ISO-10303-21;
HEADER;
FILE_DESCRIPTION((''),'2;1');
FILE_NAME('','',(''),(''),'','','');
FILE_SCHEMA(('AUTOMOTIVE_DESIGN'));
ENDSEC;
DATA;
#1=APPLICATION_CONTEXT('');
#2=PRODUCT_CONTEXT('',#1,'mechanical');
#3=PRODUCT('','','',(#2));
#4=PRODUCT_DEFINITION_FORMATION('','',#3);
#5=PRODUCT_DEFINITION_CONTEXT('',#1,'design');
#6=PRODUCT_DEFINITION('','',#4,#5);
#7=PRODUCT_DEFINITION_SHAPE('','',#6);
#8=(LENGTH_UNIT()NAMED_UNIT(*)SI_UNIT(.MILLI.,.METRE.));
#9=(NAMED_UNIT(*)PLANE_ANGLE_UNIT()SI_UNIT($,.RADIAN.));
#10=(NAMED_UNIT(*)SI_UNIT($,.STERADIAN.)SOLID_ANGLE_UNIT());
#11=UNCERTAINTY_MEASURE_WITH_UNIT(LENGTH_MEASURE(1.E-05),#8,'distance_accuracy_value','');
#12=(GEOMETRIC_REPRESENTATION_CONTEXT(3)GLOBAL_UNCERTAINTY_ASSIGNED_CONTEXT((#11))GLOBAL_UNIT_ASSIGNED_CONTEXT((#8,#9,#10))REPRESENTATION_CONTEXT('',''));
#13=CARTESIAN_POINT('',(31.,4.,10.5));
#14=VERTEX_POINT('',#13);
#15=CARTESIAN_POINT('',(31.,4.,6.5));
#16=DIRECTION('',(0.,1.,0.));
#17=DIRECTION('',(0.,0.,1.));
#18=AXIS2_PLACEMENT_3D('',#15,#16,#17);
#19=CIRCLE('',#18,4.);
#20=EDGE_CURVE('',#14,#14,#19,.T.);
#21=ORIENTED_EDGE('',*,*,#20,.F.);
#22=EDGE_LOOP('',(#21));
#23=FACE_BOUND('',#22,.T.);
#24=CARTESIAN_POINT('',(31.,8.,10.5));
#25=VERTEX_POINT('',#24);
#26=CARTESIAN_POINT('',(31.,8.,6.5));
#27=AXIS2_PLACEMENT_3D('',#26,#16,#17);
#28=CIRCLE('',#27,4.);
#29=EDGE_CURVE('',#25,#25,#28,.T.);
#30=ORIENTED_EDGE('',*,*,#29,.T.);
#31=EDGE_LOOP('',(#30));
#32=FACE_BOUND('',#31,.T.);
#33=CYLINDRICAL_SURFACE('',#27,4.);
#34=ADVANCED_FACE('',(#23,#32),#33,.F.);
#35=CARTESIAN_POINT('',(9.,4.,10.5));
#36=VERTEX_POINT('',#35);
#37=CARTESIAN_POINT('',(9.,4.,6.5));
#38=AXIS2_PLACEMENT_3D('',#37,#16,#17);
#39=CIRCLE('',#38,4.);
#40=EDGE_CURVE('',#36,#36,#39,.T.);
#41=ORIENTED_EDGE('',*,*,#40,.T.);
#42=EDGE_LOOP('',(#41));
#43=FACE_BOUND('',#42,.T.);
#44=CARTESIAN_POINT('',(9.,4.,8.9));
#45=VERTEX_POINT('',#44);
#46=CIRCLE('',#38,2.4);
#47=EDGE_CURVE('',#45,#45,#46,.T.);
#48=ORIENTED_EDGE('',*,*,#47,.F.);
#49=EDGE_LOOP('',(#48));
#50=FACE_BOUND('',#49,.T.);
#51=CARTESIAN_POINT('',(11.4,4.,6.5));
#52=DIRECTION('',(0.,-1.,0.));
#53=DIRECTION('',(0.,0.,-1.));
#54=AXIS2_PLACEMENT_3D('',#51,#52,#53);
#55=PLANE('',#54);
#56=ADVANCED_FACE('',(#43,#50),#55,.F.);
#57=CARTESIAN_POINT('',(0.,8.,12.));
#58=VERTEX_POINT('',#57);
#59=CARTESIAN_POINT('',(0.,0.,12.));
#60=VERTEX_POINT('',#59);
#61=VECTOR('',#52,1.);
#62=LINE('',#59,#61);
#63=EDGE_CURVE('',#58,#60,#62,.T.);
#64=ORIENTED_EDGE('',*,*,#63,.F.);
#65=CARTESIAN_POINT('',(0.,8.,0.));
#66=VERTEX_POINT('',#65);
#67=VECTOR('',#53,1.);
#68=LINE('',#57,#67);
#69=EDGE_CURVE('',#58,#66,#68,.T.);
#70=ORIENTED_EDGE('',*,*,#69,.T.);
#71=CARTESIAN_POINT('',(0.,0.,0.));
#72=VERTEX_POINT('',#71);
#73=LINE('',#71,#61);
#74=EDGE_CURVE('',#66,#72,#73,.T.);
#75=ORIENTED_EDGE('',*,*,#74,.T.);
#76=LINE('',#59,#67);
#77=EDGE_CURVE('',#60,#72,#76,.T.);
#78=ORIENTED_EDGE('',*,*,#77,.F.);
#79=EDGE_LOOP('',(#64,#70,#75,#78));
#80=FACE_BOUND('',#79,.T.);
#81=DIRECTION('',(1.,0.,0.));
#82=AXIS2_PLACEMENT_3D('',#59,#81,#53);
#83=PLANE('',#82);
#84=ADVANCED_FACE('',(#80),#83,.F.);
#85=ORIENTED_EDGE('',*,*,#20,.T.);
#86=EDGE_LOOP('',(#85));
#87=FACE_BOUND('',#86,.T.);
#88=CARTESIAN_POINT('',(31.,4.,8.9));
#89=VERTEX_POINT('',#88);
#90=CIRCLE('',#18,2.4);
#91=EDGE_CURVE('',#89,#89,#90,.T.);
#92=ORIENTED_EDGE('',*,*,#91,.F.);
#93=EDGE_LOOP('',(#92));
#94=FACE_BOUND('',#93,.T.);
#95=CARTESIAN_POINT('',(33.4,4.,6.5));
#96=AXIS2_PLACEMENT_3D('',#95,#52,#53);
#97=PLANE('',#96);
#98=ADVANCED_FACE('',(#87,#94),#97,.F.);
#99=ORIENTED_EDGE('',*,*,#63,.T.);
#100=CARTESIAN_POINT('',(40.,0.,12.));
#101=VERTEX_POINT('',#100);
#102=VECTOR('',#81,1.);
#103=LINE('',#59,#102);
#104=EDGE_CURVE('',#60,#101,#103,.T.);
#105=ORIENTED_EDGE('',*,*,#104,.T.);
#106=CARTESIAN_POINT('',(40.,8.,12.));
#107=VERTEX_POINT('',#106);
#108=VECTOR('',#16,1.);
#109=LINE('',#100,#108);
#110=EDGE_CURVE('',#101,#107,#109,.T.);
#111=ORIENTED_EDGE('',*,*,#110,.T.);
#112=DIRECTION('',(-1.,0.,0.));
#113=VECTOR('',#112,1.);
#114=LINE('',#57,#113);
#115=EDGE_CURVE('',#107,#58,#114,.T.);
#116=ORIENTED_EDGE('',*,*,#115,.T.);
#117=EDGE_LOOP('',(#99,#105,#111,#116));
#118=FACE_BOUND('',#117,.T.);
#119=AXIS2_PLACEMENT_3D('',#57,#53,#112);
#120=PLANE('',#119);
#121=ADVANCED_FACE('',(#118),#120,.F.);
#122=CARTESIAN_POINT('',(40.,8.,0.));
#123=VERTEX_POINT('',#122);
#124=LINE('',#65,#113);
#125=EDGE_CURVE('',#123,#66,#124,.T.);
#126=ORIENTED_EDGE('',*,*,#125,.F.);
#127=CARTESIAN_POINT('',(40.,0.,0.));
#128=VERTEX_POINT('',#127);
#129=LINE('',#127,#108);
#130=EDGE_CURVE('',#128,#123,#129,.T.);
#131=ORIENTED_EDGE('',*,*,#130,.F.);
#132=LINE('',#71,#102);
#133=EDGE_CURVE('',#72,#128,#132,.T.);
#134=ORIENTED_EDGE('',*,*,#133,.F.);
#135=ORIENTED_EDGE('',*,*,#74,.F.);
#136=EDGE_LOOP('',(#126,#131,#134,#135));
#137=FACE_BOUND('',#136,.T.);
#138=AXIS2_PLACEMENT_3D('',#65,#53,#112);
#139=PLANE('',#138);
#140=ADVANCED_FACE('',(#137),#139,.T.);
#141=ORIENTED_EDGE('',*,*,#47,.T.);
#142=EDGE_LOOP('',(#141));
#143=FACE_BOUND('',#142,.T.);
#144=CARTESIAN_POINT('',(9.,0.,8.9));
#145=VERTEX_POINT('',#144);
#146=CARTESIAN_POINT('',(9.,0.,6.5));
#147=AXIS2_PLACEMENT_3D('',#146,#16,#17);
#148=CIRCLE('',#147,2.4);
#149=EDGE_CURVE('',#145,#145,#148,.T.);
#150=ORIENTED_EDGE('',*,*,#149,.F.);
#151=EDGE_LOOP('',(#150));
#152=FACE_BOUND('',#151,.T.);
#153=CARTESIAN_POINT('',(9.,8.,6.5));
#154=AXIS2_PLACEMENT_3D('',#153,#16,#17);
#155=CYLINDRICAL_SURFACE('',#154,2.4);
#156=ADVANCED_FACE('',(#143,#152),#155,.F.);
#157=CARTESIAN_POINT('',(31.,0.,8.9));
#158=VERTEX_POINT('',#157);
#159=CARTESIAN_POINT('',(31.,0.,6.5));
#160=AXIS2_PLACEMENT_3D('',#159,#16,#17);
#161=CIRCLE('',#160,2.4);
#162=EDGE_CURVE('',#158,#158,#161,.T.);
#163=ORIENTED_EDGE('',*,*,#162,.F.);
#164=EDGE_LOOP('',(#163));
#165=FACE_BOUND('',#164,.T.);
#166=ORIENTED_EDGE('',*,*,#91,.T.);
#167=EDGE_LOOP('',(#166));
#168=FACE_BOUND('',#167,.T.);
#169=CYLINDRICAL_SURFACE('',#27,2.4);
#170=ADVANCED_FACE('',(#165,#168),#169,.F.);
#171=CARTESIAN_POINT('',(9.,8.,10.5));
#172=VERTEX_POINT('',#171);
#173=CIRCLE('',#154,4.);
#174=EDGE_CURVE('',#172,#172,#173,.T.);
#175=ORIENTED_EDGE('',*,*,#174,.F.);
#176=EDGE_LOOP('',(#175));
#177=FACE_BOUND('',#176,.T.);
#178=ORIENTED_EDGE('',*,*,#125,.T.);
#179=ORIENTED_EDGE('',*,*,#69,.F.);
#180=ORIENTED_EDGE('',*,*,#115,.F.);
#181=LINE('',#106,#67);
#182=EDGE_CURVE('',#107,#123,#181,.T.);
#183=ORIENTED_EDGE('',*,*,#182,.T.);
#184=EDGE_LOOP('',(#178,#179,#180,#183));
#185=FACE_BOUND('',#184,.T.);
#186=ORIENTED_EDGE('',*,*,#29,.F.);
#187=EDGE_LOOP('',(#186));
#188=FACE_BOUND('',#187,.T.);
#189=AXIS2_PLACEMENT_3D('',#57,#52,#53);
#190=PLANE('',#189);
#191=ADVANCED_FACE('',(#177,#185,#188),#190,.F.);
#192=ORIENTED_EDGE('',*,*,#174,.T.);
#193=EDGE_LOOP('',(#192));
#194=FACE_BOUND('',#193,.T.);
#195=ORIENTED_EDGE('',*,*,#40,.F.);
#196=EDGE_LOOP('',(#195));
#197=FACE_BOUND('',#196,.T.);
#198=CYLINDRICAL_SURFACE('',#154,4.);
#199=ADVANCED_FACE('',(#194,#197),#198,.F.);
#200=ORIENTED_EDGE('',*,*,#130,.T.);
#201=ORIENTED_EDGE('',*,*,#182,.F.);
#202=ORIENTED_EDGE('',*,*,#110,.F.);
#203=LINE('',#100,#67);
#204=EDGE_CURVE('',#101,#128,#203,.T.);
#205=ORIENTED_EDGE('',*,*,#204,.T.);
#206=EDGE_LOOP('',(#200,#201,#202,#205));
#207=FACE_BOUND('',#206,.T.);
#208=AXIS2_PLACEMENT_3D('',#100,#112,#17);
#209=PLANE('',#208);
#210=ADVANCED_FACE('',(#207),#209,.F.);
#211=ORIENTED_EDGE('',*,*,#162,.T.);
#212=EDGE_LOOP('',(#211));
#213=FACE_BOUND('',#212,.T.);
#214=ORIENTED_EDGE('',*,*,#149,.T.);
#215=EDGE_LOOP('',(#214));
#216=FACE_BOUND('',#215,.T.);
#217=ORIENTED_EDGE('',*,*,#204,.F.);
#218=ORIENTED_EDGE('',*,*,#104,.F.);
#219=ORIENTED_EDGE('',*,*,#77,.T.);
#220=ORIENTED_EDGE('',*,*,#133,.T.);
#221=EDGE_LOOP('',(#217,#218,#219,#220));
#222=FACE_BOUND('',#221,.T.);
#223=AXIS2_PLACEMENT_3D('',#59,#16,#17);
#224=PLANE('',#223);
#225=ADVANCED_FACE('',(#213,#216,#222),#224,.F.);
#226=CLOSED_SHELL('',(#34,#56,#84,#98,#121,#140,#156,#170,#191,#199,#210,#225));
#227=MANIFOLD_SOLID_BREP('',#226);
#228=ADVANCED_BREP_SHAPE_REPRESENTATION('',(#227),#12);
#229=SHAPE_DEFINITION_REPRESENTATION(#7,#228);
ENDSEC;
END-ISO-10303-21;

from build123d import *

# Parameters (mm, degrees)
SKETCH_1_W                   = 40
SKETCH_1_H                   = 8
EXTRUDE_1_DEPTH              = 12
HOLE_WIZARD_M4_3_D           = 4.8
HOLE_WIZARD_M4_3_CBORE_D     = 8
HOLE_WIZARD_M4_3_CBORE_DEPTH = 4


with BuildPart() as part:
    # 草图1 → 凸台-拉伸1 (new body)
    with BuildSketch(Plane.XY):
        with Locations((20, 4)):
            Rectangle(SKETCH_1_W, SKETCH_1_H)
    extrude(amount=EXTRUDE_1_DEPTH)

    # M4 六角凹头螺钉的柱形沉头孔3 (through all)
    with Locations(Plane(origin=(0, 8, 0), x_dir=(-1, 0, 0), z_dir=(0, 1, 0))):
        with Locations((-9, 6.5), (-31, 6.5)):
            CounterBoreHole(HOLE_WIZARD_M4_3_D / 2, HOLE_WIZARD_M4_3_CBORE_D / 2, HOLE_WIZARD_M4_3_CBORE_DEPTH)


solid = part.part
